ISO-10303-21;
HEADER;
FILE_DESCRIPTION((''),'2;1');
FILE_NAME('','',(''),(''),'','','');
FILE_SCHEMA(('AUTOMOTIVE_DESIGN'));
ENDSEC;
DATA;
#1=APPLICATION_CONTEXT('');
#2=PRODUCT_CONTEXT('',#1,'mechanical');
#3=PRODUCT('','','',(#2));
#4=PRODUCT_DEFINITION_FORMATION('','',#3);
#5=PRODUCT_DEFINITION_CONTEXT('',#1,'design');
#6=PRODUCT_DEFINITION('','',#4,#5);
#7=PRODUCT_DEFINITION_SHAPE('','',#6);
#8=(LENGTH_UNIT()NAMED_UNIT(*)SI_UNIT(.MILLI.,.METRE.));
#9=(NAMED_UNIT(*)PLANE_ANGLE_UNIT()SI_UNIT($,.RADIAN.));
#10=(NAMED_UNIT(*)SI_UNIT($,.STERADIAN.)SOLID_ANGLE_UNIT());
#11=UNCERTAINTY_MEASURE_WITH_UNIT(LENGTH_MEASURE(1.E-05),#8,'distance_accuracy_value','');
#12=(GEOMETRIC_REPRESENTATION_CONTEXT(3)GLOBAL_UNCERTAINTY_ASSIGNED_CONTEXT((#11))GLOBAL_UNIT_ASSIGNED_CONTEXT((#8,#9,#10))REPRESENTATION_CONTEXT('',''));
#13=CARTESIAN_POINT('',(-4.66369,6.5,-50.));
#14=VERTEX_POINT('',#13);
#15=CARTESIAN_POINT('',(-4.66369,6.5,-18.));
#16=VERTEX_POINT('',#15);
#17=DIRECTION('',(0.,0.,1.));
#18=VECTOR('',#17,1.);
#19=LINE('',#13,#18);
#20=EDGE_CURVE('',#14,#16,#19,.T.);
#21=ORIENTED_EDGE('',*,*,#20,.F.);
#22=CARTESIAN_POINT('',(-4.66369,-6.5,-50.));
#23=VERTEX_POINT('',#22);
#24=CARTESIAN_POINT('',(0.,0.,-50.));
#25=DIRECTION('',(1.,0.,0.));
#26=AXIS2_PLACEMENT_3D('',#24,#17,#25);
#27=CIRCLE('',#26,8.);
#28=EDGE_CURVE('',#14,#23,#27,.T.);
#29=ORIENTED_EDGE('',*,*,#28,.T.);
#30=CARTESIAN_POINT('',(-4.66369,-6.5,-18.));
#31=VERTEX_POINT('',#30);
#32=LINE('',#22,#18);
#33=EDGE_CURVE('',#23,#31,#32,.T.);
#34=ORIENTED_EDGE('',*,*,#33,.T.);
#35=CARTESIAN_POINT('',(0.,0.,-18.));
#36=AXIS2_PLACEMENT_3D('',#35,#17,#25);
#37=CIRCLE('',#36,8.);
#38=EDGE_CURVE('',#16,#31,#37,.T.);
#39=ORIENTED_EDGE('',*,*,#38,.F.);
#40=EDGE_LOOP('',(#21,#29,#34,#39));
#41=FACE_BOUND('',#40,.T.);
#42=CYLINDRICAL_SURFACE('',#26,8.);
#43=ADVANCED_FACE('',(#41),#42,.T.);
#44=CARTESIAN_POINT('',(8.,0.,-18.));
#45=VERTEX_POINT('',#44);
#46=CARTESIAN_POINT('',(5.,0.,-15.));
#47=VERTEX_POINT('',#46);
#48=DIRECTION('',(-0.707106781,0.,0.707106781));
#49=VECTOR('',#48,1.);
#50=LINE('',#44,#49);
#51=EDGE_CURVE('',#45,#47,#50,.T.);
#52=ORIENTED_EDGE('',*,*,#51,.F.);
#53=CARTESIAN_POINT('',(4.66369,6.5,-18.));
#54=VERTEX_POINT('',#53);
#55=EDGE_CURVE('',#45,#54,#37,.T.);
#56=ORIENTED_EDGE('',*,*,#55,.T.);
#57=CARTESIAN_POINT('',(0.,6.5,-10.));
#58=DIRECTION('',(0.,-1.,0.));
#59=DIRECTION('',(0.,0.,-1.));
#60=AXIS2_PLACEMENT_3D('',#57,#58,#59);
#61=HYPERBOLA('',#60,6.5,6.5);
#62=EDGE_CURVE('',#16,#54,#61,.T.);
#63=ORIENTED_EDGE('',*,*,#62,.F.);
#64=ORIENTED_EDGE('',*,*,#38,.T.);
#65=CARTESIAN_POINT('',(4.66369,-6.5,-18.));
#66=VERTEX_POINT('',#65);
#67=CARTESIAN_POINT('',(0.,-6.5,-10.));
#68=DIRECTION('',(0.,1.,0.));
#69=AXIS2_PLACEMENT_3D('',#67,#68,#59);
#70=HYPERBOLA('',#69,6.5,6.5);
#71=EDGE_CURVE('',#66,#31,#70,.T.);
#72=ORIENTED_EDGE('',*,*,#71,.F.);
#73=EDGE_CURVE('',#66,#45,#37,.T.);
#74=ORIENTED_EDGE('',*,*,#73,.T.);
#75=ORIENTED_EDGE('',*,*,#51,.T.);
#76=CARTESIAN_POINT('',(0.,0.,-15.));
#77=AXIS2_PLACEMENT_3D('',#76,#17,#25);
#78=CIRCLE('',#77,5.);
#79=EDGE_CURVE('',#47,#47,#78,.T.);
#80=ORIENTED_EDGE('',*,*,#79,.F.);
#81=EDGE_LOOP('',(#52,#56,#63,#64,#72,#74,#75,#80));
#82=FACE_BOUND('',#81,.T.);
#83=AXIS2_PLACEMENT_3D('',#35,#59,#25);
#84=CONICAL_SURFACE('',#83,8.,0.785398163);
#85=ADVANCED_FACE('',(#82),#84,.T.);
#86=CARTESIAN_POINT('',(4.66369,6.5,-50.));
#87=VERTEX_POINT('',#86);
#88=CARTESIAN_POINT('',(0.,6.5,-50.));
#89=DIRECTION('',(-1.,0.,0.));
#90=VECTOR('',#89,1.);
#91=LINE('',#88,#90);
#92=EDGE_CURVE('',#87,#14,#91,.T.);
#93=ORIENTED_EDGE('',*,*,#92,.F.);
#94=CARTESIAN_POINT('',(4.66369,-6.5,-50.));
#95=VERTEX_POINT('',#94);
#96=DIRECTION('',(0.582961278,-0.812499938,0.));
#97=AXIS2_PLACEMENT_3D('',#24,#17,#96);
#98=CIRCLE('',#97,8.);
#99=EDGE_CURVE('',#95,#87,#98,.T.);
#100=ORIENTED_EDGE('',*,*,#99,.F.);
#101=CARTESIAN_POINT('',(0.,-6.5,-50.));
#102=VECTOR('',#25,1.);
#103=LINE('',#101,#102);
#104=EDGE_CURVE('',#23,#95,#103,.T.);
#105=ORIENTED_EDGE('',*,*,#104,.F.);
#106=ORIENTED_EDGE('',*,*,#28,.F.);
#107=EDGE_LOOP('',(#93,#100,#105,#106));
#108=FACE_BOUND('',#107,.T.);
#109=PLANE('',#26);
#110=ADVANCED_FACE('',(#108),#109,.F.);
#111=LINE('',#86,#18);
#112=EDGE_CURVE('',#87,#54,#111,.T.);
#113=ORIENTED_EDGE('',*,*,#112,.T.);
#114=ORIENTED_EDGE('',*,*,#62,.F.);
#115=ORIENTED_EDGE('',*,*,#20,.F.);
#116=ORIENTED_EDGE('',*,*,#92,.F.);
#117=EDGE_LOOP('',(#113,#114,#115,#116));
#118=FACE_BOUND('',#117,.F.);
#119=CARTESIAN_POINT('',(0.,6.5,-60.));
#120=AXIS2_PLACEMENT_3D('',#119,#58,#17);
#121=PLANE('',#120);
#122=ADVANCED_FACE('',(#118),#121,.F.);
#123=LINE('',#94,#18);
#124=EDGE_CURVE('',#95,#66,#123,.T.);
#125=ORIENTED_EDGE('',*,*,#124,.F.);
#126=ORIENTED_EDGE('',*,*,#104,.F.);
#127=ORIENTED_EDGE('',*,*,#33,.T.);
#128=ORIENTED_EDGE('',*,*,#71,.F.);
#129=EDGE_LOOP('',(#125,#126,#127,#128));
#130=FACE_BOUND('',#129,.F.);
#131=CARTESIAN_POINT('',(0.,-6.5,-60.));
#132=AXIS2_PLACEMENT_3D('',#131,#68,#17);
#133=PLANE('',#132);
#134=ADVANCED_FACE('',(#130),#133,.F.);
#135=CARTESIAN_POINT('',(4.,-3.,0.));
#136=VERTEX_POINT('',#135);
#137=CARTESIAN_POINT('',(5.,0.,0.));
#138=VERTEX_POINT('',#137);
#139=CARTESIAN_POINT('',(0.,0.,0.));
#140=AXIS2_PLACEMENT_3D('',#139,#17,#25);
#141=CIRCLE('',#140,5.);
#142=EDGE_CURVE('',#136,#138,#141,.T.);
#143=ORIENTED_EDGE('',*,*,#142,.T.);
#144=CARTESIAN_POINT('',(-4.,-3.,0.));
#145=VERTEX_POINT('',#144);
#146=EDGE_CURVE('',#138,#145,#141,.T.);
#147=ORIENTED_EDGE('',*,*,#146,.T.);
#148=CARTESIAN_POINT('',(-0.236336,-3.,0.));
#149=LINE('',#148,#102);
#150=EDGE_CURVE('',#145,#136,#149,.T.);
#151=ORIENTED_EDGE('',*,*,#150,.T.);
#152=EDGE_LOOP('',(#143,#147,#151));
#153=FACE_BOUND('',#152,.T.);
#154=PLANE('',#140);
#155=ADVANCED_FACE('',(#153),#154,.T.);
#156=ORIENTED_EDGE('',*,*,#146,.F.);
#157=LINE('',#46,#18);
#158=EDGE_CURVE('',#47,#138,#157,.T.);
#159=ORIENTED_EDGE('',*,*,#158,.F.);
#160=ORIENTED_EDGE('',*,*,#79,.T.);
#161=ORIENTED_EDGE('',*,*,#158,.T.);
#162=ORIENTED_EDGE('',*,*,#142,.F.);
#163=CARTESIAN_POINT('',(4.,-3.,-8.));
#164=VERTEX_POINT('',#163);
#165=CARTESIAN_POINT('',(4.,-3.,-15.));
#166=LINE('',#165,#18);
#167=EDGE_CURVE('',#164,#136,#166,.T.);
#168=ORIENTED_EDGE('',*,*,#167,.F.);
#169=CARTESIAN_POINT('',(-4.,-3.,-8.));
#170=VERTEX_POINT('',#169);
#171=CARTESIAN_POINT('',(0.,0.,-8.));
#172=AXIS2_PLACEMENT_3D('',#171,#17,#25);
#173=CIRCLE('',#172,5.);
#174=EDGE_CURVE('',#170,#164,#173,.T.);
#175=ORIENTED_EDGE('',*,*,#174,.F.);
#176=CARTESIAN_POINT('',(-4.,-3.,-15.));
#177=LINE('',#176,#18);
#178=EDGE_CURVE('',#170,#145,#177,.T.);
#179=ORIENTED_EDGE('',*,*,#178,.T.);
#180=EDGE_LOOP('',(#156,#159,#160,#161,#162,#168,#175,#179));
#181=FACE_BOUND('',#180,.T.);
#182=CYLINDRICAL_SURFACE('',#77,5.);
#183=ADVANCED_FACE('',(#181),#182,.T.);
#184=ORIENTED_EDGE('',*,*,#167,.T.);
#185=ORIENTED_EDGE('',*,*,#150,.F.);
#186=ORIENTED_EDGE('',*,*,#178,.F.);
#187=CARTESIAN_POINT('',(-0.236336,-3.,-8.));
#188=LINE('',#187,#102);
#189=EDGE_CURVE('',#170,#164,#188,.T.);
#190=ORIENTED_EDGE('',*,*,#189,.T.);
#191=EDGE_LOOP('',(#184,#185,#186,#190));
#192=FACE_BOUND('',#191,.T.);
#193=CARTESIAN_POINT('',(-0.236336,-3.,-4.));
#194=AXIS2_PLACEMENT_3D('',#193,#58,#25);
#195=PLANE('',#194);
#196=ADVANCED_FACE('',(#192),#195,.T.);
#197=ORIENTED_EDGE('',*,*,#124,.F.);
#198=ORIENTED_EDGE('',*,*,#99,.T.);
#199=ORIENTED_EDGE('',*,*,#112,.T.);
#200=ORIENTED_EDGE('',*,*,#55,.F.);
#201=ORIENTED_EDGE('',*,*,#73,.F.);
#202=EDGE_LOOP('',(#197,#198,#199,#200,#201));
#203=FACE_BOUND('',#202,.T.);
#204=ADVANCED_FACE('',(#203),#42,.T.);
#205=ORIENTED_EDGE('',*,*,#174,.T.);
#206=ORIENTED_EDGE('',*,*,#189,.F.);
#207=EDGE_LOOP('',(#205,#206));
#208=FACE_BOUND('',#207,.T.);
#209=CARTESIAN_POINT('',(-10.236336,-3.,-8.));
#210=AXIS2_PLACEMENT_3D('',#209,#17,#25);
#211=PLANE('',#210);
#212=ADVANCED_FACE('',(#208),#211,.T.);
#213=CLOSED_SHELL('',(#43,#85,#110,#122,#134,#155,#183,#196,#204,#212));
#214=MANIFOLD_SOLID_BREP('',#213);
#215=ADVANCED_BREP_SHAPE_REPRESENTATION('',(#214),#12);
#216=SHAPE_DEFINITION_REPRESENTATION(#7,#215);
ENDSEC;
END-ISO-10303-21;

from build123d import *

# Parameters (mm, degrees)
F3_W     = 20
F3_H     = 8
F4_DEPTH = 10
F5_W     = 19.943191
F5_H     = 60
F6_DEPTH = 12.5


with BuildPart() as f1:
    # F0 (on Front) → F1 (revolve)
    with BuildSketch(Plane.XZ):
        Polygon((5, 0), (0, 0), (0, -50), (8, -50), (8, -18), (5, -15), align=None)
    revolve(axis=Axis((0, 0, -25), (0, 0, 1)))

    # F3 (on offset) → F4 (cut)
    with BuildSketch(Plane.XZ.offset(3)):
        with Locations((-0.236336, -4)):
            Rectangle(F3_W, F3_H)
    extrude(amount=F4_DEPTH, mode=Mode.SUBTRACT)

    # F5 (on Right) → F6 (cut, symmetric)
    with BuildSketch(Plane.YZ):
        with Locations((16.471595, -30)):
            Rectangle(F5_W, F5_H)
        with Locations((-16.471595, -30)):
            Rectangle(F5_W, F5_H)
    extrude(amount=F6_DEPTH, both=True, mode=Mode.SUBTRACT)


solid = f1.part
